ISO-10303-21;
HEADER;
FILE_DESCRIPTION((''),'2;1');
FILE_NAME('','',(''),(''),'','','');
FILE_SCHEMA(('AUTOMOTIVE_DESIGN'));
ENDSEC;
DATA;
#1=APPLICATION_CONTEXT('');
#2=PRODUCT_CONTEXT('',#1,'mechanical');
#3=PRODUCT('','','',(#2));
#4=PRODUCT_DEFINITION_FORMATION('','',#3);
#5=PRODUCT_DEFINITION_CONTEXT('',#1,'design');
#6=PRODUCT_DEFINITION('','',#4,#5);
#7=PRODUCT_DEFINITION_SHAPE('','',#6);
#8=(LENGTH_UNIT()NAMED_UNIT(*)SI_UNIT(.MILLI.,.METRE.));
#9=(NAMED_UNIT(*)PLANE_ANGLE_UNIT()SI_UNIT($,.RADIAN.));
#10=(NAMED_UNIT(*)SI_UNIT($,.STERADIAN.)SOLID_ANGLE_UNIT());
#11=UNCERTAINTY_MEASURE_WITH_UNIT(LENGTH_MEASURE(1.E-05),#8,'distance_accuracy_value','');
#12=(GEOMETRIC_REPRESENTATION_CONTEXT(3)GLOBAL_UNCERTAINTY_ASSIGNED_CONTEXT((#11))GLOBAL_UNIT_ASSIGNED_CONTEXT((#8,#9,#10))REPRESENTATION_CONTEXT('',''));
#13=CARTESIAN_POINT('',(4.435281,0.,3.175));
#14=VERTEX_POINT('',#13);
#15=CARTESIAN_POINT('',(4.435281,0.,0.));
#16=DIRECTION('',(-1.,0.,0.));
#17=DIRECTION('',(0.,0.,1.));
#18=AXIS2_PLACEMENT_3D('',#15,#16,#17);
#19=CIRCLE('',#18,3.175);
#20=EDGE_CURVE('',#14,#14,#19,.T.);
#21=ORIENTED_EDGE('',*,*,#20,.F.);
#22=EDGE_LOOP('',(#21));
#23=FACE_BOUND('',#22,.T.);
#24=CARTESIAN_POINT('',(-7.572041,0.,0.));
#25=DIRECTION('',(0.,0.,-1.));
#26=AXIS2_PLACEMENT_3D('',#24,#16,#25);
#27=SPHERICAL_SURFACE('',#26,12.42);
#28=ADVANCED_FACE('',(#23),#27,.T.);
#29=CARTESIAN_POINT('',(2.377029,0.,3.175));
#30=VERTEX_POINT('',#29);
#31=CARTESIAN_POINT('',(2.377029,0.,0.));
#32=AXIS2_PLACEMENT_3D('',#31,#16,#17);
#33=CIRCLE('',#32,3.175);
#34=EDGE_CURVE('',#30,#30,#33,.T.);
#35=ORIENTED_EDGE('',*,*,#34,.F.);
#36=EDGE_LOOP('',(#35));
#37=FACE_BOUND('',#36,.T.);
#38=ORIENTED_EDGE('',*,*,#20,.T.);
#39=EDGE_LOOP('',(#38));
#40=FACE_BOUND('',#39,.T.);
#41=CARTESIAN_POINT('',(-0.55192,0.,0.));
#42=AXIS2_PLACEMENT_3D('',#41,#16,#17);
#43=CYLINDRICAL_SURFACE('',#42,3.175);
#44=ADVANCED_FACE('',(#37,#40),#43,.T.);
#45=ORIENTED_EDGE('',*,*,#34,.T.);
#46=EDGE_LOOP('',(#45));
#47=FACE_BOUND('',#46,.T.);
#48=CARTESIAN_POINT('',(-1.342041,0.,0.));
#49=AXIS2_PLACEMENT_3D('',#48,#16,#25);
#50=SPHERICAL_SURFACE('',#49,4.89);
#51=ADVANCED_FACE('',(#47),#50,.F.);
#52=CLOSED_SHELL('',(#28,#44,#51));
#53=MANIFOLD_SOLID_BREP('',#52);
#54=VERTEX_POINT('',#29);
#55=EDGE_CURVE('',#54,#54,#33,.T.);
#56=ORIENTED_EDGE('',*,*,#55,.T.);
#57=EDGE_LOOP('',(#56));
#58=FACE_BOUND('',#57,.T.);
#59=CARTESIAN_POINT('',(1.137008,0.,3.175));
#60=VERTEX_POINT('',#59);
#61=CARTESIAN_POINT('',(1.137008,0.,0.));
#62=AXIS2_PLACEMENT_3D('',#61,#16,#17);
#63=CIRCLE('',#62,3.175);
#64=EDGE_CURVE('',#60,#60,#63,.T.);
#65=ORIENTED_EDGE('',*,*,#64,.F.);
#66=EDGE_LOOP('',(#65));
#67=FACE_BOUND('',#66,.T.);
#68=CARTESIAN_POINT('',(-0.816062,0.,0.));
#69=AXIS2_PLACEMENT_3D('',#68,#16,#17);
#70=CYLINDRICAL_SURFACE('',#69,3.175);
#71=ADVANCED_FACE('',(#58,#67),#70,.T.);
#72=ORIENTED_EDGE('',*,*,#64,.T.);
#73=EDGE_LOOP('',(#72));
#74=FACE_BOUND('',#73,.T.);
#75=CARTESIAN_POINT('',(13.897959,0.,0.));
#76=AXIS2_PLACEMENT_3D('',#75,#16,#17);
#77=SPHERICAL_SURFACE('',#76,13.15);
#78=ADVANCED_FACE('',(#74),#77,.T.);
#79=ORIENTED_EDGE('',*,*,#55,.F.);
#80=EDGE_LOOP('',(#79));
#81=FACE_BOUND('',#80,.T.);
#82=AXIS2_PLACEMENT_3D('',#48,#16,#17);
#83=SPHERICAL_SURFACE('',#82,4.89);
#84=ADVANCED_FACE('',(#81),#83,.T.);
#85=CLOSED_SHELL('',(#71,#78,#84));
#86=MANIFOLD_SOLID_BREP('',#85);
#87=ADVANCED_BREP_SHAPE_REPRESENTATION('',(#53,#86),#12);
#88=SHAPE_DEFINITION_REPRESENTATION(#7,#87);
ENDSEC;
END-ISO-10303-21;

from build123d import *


with BuildPart() as part:
    # 草图1 one side → 旋转1 (revolve)
    with BuildSketch(Plane(origin=(0, 0, 0), x_dir=(1, 0, 0), z_dir=(0, 1, 0)), mode=Mode.PRIVATE) as revolve_1_sk:
        with BuildLine():
            ThreePointArc((1.137008305, 3.175), (0.845584068, 1.599373626), (0.747959484, 0))
            Line((0.747959484, 0), (3.547959484, 0))
            ThreePointArc((3.547959484, 0), (3.245897361, 1.692018333), (2.377028588, 3.175))
            Line((2.377028588, 3.175), (1.137008305, 3.175))
        make_face()
    revolve(revolve_1_sk.sketch.rotate(Axis((-0.816062176, 0, 0), (1, 0, 0)), 180), axis=Axis((-0.816062176, 0, 0), (1, 0, 0)))  # turned: the seam where the file's is


with BuildPart() as body_2:
    # 草图2 one side → 旋转2 (revolve)
    with BuildSketch(Plane(origin=(0, 0, 0), x_dir=(1, 0, 0), z_dir=(0, 1, 0)), mode=Mode.PRIVATE) as revolve_2_sk:
        with BuildLine():
            Line((4.435281209, 3.175), (2.377028588, 3.175))
            ThreePointArc((2.377028588, 3.175), (3.245897361, 1.692018333), (3.547959484, 0))
            Line((3.547959484, 0), (4.847959484, 0))
            ThreePointArc((4.847959484, 0), (4.744357818, 1.60085355), (4.435281209, 3.175))
        make_face()
    revolve(revolve_2_sk.sketch.rotate(Axis((-0.551919993, 0, 0), (1, 0, 0)), 180), axis=Axis((-0.551919993, 0, 0), (1, 0, 0)))  # turned: the seam where the file's is


solid = Compound([part.part, body_2.part])
